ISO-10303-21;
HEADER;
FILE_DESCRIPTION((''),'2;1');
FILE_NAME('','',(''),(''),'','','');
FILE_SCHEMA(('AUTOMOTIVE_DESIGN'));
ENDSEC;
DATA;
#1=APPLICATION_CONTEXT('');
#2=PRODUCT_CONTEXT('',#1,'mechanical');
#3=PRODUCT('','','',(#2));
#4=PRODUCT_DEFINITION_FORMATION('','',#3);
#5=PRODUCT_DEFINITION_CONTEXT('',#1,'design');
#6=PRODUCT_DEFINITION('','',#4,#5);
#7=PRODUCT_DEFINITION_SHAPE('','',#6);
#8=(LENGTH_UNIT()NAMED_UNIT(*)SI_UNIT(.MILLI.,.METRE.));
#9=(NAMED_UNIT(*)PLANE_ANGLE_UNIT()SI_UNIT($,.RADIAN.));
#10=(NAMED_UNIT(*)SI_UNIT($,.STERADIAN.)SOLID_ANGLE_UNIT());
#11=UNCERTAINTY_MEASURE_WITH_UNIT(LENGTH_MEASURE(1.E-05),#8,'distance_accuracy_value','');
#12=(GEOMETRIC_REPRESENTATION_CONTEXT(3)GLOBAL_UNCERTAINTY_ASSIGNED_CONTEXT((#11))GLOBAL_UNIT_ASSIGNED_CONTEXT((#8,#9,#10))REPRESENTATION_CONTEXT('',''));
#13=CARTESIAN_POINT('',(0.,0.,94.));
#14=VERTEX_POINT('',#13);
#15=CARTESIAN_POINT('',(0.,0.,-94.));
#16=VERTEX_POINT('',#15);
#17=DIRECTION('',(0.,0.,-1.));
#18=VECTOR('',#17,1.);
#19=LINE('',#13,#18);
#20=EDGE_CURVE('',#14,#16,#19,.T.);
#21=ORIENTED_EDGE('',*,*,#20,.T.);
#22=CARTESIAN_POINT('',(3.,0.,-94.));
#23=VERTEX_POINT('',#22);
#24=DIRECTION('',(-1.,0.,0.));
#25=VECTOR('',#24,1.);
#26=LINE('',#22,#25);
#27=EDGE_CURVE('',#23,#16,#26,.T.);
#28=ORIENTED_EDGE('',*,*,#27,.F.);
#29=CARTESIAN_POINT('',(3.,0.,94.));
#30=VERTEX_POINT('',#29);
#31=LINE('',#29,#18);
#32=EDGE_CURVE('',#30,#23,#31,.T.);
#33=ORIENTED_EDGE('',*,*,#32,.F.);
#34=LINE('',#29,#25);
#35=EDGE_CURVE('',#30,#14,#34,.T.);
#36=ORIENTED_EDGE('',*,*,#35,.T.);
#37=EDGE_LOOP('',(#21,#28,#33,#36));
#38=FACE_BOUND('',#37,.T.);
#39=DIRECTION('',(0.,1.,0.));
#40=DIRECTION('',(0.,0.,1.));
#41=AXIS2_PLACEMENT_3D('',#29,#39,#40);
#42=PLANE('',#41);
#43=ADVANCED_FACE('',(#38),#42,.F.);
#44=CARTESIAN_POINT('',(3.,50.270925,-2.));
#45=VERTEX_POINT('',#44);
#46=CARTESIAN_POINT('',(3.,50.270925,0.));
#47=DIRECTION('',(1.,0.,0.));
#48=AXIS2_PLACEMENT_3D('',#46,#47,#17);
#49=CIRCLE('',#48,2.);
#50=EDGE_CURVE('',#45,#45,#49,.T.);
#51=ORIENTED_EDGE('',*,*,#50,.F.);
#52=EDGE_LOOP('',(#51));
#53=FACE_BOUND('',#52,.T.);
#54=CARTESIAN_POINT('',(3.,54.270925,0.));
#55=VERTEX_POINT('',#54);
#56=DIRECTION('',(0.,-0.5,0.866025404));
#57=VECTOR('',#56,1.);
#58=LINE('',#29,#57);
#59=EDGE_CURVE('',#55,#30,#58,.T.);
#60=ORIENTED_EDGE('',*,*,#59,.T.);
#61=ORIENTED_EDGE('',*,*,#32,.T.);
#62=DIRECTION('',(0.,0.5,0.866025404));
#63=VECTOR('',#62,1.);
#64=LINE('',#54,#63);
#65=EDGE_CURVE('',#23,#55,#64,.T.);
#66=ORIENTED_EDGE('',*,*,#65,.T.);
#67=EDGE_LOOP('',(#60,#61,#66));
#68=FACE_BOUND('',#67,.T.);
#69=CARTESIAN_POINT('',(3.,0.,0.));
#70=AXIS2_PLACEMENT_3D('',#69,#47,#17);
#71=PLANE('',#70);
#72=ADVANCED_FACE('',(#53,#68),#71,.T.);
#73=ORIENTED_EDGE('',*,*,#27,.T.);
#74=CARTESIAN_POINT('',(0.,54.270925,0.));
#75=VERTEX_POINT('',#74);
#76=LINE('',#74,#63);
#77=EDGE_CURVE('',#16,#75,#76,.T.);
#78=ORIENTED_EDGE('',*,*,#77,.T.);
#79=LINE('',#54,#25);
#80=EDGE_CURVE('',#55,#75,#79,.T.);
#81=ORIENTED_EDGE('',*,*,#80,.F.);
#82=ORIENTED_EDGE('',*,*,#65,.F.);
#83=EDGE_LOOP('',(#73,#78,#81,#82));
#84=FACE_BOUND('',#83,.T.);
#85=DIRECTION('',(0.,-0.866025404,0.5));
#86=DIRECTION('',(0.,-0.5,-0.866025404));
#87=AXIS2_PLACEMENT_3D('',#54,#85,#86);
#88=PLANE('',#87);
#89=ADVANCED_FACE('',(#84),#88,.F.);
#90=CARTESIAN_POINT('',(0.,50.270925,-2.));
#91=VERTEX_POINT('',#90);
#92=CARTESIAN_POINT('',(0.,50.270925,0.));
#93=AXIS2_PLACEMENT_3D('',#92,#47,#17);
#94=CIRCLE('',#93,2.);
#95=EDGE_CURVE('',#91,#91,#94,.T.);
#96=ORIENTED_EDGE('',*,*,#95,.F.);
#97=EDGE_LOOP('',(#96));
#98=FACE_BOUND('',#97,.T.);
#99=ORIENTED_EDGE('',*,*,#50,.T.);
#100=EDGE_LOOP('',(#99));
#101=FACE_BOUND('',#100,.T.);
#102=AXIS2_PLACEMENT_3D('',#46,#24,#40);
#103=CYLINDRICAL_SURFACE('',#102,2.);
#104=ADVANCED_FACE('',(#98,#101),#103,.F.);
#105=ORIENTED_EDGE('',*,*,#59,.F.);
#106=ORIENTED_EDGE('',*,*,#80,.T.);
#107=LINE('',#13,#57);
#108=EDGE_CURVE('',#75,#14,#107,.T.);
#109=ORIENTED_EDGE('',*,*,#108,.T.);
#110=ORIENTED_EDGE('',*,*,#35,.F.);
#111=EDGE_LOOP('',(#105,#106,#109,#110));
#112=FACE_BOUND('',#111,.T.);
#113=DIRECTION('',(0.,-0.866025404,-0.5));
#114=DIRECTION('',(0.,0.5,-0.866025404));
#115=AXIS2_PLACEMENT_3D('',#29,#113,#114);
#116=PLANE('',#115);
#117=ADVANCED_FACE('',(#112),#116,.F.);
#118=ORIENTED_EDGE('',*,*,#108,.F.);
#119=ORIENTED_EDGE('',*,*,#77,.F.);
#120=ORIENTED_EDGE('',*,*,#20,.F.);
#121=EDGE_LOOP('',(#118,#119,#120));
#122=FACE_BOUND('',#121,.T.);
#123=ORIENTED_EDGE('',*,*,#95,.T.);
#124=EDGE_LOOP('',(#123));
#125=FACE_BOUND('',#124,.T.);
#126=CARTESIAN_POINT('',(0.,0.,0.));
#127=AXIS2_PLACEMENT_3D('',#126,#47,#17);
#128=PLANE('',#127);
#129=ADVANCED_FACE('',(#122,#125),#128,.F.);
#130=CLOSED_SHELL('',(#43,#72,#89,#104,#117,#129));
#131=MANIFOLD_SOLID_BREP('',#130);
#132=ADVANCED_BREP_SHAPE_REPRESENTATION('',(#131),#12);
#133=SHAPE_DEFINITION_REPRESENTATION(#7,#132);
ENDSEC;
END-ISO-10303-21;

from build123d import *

# Parameters (mm, degrees)
SKETCH1_R           = 2
BOSS_EXTRUDE1_DEPTH = 3


with BuildPart() as part:
    # Sketch1 → Boss-Extrude1 (new body)
    with BuildSketch(Plane(origin=(0, 0, 0), x_dir=(0, 0, -1), z_dir=(1, 0, 0))):
        Polygon((-94, 0), (94, 0), (0, 54.270925304), align=None)
        with Locations((0, 50.270925304)):
            Circle(SKETCH1_R, mode=Mode.SUBTRACT)
    extrude(amount=BOSS_EXTRUDE1_DEPTH)


solid = part.part
